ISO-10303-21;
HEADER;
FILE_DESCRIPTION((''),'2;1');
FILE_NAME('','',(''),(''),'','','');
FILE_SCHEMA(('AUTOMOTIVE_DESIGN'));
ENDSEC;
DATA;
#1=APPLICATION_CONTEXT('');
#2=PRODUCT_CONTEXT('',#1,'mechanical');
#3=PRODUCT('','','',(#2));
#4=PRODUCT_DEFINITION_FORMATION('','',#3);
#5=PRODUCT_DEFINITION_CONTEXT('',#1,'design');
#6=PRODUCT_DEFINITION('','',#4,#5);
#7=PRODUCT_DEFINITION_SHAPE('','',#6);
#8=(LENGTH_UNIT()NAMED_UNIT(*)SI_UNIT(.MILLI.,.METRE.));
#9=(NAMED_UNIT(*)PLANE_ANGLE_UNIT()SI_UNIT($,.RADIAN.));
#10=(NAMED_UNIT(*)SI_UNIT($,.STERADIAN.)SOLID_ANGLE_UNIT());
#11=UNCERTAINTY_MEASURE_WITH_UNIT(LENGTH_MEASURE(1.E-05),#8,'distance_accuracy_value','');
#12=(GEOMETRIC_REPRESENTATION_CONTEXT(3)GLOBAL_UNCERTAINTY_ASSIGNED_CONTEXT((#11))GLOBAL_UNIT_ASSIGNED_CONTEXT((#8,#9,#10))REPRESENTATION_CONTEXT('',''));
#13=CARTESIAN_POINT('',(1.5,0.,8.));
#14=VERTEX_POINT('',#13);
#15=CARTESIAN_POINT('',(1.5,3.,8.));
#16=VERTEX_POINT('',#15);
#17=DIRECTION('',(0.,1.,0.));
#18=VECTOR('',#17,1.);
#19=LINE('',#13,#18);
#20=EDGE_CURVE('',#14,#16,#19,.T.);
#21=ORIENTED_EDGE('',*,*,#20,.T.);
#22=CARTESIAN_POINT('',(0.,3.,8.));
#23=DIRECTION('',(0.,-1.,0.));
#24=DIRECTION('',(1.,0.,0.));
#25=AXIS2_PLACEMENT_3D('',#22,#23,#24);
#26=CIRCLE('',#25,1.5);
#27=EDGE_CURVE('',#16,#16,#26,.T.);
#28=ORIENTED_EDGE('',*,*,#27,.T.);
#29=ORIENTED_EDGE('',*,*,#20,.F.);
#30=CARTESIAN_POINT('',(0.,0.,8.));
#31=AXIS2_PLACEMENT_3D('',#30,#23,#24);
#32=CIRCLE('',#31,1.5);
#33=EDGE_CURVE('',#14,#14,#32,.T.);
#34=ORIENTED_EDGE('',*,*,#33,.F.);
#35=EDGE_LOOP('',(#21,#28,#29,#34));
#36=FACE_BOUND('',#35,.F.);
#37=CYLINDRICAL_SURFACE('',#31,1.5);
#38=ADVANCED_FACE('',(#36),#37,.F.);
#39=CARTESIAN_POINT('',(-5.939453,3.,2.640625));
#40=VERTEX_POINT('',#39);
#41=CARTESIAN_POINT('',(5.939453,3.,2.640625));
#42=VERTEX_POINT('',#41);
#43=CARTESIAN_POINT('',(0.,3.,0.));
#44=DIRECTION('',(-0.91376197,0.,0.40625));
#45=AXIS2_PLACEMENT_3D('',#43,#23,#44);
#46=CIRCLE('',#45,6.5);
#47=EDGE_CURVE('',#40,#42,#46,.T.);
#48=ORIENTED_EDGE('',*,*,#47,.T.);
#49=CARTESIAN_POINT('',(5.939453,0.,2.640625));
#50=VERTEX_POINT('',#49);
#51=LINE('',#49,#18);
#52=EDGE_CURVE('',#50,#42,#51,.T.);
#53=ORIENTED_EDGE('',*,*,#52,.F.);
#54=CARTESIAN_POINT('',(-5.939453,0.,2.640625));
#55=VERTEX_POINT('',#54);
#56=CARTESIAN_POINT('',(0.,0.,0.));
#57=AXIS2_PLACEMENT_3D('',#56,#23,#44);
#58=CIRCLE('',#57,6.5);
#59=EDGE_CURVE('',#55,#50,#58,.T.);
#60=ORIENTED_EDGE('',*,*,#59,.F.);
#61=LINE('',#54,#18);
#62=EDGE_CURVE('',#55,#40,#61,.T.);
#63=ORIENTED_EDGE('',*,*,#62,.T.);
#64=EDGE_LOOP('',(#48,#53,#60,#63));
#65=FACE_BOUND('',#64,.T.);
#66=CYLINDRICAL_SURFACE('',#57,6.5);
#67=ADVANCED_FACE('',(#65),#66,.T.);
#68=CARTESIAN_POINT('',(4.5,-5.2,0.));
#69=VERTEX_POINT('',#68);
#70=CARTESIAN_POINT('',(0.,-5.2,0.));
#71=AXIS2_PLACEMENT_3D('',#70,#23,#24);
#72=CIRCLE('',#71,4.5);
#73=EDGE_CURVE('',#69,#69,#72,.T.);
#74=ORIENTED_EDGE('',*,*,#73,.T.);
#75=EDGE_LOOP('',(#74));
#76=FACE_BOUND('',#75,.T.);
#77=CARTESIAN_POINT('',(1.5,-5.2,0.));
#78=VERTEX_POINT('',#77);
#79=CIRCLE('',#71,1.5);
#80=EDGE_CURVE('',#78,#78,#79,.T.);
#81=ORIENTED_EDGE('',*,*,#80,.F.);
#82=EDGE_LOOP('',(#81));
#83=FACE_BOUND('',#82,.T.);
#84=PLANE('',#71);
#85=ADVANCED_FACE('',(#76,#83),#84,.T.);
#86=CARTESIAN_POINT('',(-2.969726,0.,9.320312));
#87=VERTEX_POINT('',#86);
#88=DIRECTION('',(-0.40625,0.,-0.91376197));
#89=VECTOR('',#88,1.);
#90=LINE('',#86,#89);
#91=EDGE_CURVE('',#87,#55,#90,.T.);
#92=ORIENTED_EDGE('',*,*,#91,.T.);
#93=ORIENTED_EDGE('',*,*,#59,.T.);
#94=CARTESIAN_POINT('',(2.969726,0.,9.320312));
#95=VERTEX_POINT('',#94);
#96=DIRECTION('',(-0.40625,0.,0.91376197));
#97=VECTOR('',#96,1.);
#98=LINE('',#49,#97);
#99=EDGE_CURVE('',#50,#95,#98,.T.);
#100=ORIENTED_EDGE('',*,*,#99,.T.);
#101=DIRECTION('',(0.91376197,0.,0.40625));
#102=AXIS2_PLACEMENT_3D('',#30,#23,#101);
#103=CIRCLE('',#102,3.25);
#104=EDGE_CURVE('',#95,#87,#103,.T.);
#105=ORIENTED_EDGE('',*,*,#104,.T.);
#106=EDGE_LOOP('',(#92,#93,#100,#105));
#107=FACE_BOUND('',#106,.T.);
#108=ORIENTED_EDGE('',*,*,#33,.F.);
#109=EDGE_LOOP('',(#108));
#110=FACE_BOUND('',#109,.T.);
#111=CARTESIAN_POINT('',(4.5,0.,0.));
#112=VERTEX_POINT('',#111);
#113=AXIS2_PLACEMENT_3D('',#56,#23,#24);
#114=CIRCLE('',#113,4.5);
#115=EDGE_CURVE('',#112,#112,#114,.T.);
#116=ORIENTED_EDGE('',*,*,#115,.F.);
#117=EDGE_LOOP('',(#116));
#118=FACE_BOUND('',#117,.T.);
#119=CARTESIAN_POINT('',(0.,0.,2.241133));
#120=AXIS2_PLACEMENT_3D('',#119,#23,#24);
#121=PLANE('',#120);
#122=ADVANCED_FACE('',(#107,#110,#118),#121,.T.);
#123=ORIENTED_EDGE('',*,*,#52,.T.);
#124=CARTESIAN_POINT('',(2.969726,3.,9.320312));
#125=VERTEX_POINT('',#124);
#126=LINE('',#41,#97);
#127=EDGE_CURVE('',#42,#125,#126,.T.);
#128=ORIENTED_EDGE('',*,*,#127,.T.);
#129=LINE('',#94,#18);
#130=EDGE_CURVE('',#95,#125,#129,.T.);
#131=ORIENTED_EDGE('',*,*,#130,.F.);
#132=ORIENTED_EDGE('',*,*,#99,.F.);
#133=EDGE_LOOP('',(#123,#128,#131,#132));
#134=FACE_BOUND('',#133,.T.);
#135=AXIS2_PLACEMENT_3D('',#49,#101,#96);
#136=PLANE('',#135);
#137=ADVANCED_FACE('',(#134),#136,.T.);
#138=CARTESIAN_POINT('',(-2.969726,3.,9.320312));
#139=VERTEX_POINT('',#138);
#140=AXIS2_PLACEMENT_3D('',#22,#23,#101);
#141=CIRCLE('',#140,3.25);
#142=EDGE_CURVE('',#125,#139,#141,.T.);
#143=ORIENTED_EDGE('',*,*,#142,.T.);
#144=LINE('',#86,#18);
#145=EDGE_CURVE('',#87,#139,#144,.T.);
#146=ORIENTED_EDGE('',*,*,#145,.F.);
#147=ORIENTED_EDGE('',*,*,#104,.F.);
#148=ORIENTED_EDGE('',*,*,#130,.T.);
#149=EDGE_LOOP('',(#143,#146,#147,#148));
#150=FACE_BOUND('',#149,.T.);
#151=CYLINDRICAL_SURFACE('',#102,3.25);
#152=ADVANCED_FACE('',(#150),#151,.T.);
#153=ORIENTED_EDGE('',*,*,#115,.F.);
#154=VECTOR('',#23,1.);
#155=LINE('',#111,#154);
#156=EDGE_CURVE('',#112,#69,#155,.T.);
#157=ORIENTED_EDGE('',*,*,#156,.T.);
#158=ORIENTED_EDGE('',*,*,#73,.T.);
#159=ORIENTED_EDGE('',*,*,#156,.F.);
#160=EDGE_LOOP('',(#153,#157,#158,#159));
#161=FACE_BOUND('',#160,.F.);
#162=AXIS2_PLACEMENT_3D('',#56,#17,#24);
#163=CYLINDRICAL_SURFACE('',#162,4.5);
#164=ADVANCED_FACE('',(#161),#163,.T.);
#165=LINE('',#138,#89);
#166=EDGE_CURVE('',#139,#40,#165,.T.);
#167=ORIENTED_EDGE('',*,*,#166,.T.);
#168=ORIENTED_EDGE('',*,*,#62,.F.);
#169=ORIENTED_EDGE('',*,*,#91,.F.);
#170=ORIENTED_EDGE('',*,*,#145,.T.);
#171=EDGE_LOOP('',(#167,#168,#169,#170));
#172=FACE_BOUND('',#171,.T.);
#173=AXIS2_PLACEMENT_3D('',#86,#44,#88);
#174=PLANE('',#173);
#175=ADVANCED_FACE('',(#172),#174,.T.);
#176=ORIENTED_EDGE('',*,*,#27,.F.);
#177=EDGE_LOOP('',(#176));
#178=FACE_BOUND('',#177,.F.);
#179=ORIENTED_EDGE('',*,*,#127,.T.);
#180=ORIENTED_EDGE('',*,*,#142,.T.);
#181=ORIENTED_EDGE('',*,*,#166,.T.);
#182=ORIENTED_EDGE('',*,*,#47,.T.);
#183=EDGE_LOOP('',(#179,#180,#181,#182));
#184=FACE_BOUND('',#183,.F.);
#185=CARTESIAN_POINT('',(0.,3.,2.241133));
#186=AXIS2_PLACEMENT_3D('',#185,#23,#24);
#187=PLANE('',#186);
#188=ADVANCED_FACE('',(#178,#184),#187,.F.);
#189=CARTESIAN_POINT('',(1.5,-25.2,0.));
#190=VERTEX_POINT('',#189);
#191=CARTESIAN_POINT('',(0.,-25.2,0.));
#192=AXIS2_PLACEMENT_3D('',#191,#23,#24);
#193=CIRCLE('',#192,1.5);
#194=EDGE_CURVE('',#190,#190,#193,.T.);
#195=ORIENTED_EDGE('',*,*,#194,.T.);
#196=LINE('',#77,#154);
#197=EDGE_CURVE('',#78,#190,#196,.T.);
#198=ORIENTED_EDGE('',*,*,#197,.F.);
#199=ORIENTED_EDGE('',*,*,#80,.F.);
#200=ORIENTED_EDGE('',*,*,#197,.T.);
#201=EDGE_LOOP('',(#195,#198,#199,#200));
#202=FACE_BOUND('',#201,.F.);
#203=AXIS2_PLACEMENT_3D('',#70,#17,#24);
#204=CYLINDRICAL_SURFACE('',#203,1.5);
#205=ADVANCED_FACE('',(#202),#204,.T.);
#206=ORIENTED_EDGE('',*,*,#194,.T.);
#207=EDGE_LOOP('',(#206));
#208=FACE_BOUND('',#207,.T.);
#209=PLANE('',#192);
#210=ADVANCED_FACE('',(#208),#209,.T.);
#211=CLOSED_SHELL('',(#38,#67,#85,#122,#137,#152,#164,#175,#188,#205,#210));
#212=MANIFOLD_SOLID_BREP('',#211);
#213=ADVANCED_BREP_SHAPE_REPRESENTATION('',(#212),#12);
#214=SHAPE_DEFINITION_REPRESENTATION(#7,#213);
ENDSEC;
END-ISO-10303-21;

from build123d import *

# Parameters (mm, degrees)
F0_R     = 1.5
F1_DEPTH = 3
F2_R     = 4.5
F3_DEPTH = 5.2
F4_R     = 1.5
F5_DEPTH = 20


with BuildPart() as f1:
    # F0 (on Front) → F1 (new body)
    with BuildSketch(Plane.XZ):
        with BuildLine():
            Line((5.9394528039, 2.640625), (2.9697264019, 9.3203125))
            ThreePointArc((2.9697264019, 9.3203125), (0, 11.25), (-2.9697264019, 9.3203125))
            Line((-2.9697264019, 9.3203125), (-5.9394528039, 2.640625))
            ThreePointArc((-5.9394528039, 2.640625), (0, -6.5), (5.9394528039, 2.640625))
        make_face()
        with Locations((0, 8)):
            Circle(F0_R, mode=Mode.SUBTRACT)
    extrude(amount=-F1_DEPTH)

    # F2 (on face) → F3 (join)
    with BuildSketch(Plane.XZ):
        Circle(F2_R)
    extrude(amount=F3_DEPTH)

    # F4 (on face) → F5 (join)
    with BuildSketch(Plane.XZ.offset(5.2)):
        Circle(F4_R)
    extrude(amount=F5_DEPTH)


solid = f1.part
